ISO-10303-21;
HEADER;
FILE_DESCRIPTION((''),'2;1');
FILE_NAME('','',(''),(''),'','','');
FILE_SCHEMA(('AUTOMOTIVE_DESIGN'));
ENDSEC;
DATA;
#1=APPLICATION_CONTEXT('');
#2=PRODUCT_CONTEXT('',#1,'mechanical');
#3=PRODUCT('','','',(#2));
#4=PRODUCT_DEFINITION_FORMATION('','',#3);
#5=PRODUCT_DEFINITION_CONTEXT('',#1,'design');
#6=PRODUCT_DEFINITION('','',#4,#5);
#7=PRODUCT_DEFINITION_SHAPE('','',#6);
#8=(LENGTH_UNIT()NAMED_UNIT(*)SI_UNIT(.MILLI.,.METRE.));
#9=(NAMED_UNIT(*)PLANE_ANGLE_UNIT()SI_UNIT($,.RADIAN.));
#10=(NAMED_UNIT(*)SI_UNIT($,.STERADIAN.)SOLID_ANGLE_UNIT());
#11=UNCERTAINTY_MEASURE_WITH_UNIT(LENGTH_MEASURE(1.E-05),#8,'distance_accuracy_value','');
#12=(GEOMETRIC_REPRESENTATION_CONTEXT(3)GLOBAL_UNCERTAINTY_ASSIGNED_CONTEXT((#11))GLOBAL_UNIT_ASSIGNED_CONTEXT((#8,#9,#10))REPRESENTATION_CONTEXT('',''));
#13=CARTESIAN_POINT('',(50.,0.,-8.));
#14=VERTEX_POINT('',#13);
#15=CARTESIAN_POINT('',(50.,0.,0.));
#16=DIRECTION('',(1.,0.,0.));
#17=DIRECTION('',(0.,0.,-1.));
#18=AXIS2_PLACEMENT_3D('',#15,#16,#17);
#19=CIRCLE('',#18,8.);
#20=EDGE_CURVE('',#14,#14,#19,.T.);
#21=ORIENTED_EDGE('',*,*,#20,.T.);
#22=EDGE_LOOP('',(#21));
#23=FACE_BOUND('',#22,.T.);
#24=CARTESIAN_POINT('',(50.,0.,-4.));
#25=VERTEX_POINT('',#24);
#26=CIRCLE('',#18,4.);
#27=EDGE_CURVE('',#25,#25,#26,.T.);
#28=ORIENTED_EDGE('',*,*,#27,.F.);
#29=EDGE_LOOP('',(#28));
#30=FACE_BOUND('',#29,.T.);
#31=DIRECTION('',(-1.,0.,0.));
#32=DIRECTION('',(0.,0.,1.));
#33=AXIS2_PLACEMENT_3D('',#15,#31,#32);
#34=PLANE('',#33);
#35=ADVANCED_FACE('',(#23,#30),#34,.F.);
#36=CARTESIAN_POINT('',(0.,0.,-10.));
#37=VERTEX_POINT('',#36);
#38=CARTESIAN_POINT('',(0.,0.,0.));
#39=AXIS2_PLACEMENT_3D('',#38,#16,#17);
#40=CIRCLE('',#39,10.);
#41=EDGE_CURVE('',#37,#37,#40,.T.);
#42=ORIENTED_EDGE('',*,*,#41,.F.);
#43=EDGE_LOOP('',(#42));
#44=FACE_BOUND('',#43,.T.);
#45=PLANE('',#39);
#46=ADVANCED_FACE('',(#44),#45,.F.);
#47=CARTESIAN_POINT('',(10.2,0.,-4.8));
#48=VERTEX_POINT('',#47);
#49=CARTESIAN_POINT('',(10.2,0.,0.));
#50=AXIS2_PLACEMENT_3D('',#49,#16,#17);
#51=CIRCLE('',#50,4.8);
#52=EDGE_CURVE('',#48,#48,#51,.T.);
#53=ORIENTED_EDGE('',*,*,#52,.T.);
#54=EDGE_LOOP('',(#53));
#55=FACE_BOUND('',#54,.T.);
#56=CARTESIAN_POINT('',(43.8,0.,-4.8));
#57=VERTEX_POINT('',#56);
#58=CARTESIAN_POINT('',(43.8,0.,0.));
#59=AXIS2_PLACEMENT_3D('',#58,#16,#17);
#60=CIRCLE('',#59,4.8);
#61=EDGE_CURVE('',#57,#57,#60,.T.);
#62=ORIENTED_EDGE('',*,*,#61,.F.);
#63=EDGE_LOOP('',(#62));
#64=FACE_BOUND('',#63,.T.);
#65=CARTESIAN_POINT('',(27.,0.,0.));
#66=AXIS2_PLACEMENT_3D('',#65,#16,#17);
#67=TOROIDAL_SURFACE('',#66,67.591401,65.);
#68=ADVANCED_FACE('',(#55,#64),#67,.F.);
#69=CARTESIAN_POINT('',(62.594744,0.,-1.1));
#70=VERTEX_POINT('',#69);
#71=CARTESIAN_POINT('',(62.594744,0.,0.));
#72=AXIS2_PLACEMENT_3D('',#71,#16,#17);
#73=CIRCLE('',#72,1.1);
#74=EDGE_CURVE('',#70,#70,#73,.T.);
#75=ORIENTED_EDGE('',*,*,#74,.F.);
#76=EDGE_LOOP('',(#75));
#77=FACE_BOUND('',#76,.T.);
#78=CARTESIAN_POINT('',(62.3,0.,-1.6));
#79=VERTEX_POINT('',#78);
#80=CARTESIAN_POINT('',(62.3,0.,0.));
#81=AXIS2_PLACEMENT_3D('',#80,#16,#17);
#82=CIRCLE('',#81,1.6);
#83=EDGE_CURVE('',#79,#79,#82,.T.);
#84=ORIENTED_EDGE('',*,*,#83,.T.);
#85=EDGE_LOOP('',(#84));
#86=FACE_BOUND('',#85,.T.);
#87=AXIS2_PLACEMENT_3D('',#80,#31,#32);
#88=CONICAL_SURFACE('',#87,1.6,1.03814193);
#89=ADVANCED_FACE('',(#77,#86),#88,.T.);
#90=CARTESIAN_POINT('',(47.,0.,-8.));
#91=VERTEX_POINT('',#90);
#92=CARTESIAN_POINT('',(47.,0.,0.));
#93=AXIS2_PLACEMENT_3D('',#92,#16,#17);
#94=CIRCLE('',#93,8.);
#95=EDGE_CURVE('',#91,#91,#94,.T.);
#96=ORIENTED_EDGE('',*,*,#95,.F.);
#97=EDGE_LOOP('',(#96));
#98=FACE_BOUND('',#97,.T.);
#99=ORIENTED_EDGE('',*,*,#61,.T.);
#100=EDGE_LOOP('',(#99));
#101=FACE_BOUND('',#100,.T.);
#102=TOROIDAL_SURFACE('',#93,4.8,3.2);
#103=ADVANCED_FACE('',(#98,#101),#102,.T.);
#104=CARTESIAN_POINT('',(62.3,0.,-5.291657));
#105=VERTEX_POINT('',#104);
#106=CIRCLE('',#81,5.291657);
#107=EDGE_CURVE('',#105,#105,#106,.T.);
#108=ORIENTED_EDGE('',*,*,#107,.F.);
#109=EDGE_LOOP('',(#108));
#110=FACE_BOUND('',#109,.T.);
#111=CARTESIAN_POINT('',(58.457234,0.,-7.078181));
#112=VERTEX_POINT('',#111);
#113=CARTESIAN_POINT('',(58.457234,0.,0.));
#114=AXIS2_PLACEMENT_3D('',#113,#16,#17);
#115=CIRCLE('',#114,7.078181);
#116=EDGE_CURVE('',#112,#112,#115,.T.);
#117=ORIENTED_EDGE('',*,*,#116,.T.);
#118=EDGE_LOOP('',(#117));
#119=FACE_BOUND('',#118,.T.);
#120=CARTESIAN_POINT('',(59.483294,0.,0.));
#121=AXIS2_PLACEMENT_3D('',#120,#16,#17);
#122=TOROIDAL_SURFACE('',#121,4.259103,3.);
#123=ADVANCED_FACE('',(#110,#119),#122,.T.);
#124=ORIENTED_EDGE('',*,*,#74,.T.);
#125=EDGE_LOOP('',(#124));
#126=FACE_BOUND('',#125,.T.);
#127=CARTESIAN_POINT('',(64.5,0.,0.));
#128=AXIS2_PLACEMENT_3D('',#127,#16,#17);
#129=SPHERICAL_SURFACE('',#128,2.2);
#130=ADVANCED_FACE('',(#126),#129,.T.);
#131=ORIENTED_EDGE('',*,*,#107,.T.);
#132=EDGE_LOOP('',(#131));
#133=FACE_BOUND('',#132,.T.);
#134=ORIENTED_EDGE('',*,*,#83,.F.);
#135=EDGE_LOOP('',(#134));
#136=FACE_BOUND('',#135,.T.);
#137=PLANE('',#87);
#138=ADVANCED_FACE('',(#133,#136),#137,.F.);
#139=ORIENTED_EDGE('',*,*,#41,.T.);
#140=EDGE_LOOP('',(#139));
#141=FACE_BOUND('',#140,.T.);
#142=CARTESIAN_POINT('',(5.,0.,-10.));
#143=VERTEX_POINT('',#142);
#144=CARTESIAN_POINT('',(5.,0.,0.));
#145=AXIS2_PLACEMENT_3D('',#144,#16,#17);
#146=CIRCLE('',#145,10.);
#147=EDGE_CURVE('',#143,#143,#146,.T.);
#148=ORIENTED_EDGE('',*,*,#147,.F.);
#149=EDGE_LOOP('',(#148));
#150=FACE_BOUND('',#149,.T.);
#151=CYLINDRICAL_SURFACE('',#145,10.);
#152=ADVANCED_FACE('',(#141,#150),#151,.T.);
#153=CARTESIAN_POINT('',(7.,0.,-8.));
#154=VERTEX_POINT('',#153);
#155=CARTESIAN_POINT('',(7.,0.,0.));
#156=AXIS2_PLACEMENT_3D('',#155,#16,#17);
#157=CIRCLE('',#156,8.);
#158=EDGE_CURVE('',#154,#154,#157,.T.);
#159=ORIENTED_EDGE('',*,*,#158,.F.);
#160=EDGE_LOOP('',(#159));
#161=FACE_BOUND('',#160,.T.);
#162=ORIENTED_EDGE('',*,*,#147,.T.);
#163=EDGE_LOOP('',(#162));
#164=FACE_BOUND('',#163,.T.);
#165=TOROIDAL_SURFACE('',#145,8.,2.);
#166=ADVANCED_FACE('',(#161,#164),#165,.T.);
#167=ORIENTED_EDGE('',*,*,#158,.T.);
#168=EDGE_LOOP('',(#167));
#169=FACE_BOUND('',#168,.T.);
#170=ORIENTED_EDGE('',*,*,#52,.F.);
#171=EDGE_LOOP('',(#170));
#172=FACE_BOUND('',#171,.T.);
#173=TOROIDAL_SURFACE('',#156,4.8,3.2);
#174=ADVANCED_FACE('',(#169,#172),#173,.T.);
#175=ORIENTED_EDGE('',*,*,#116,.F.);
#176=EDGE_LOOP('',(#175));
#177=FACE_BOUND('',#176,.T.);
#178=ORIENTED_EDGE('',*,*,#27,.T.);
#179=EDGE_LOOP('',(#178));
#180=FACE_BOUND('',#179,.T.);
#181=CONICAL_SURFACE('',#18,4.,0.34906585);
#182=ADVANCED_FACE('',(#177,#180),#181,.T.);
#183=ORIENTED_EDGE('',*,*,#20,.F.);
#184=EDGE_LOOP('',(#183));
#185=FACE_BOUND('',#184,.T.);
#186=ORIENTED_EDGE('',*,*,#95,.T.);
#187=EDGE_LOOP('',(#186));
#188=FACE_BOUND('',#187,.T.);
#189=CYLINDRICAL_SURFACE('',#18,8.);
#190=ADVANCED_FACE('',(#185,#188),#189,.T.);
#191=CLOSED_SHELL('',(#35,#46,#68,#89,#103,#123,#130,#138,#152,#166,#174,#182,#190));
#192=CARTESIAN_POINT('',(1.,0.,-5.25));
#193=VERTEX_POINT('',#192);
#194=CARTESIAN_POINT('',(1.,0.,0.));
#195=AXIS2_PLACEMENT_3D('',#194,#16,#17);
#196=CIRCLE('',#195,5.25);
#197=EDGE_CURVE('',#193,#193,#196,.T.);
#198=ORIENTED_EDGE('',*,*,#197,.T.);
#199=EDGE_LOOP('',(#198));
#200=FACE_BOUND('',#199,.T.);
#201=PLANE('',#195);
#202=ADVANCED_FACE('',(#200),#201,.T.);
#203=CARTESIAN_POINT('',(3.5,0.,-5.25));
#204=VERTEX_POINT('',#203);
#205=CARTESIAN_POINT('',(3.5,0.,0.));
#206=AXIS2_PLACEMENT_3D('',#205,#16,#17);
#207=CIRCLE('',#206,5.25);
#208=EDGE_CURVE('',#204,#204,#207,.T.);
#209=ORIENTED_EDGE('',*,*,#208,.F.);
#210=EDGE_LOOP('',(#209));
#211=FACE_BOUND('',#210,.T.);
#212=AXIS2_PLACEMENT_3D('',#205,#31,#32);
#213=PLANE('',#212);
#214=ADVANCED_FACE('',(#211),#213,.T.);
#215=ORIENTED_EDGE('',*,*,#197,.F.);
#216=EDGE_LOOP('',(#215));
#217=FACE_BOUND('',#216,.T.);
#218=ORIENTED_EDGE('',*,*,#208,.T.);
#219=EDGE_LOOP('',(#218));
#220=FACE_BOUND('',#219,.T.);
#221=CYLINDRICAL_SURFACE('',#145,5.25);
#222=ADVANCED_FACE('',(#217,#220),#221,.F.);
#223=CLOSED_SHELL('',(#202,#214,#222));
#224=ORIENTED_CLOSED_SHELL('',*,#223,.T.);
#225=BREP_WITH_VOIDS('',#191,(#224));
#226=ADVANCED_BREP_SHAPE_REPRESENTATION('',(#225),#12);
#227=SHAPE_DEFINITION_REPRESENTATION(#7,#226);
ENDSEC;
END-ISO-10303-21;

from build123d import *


with BuildPart() as part:
    # Sketch 153 → Повернуть1 (revolve)
    with BuildSketch(Plane(origin=(0, 0, 0), x_dir=(1, 0, 0), z_dir=(0, 1, 0))):
        Polygon((0, 10), (0, 0), (1, 0), (1, 5.25), (3.5, 5.25), (3.5, 0), (5, 0), (5, 10), align=None)
        with BuildLine():
            ThreePointArc((7, 8), (6.414213562, 9.414213562), (5, 10))
            Line((5, 10), (5, 0))
            Line((5, 0), (7, 0))
            Line((7, 0), (7, 8))
        make_face()
        with BuildLine():
            ThreePointArc((10.2, 4.8), (9.2627417, 7.0627417), (7, 8))
            Line((7, 8), (7, 0))
            Line((7, 0), (10.2, 0))
            Line((10.2, 0), (10.2, 4.8))
        make_face()
    revolve(axis=Axis((5, 0, 0), (-1, 0, 0)))

    # Sketch 880 → Повернуть2 (revolve)
    with BuildSketch(Plane(origin=(0, 0, 0), x_dir=(1, 0, 0), z_dir=(0, 1, 0))):
        with BuildLine():
            Line((10.2, 4.8), (10.2, 0))
            Line((10.2, 0), (66.7, 0))
            ThreePointArc((66.7, 0), (65.069401899, 2.125036818), (62.594744112, 1.1))
            Line((62.594744112, 1.1), (62.3, 1.6))
            Line((62.3, 1.6), (62.3, 5.291657255))
            ThreePointArc((62.3, 5.291657255), (60.748015293, 6.979485771), (58.457233587, 7.07818129))
            Line((58.457233587, 7.07818129), (50, 4))
            Line((50, 4), (50, 8))
            Line((50, 8), (47, 8))
            ThreePointArc((47, 8), (44.7372583, 7.0627417), (43.8, 4.8))
            ThreePointArc((43.8, 4.8), (27, 2.591400685), (10.2, 4.8))
        make_face()
    revolve(axis=Axis((50, 0, 0), (-1, 0, 0)))


solid = part.part
